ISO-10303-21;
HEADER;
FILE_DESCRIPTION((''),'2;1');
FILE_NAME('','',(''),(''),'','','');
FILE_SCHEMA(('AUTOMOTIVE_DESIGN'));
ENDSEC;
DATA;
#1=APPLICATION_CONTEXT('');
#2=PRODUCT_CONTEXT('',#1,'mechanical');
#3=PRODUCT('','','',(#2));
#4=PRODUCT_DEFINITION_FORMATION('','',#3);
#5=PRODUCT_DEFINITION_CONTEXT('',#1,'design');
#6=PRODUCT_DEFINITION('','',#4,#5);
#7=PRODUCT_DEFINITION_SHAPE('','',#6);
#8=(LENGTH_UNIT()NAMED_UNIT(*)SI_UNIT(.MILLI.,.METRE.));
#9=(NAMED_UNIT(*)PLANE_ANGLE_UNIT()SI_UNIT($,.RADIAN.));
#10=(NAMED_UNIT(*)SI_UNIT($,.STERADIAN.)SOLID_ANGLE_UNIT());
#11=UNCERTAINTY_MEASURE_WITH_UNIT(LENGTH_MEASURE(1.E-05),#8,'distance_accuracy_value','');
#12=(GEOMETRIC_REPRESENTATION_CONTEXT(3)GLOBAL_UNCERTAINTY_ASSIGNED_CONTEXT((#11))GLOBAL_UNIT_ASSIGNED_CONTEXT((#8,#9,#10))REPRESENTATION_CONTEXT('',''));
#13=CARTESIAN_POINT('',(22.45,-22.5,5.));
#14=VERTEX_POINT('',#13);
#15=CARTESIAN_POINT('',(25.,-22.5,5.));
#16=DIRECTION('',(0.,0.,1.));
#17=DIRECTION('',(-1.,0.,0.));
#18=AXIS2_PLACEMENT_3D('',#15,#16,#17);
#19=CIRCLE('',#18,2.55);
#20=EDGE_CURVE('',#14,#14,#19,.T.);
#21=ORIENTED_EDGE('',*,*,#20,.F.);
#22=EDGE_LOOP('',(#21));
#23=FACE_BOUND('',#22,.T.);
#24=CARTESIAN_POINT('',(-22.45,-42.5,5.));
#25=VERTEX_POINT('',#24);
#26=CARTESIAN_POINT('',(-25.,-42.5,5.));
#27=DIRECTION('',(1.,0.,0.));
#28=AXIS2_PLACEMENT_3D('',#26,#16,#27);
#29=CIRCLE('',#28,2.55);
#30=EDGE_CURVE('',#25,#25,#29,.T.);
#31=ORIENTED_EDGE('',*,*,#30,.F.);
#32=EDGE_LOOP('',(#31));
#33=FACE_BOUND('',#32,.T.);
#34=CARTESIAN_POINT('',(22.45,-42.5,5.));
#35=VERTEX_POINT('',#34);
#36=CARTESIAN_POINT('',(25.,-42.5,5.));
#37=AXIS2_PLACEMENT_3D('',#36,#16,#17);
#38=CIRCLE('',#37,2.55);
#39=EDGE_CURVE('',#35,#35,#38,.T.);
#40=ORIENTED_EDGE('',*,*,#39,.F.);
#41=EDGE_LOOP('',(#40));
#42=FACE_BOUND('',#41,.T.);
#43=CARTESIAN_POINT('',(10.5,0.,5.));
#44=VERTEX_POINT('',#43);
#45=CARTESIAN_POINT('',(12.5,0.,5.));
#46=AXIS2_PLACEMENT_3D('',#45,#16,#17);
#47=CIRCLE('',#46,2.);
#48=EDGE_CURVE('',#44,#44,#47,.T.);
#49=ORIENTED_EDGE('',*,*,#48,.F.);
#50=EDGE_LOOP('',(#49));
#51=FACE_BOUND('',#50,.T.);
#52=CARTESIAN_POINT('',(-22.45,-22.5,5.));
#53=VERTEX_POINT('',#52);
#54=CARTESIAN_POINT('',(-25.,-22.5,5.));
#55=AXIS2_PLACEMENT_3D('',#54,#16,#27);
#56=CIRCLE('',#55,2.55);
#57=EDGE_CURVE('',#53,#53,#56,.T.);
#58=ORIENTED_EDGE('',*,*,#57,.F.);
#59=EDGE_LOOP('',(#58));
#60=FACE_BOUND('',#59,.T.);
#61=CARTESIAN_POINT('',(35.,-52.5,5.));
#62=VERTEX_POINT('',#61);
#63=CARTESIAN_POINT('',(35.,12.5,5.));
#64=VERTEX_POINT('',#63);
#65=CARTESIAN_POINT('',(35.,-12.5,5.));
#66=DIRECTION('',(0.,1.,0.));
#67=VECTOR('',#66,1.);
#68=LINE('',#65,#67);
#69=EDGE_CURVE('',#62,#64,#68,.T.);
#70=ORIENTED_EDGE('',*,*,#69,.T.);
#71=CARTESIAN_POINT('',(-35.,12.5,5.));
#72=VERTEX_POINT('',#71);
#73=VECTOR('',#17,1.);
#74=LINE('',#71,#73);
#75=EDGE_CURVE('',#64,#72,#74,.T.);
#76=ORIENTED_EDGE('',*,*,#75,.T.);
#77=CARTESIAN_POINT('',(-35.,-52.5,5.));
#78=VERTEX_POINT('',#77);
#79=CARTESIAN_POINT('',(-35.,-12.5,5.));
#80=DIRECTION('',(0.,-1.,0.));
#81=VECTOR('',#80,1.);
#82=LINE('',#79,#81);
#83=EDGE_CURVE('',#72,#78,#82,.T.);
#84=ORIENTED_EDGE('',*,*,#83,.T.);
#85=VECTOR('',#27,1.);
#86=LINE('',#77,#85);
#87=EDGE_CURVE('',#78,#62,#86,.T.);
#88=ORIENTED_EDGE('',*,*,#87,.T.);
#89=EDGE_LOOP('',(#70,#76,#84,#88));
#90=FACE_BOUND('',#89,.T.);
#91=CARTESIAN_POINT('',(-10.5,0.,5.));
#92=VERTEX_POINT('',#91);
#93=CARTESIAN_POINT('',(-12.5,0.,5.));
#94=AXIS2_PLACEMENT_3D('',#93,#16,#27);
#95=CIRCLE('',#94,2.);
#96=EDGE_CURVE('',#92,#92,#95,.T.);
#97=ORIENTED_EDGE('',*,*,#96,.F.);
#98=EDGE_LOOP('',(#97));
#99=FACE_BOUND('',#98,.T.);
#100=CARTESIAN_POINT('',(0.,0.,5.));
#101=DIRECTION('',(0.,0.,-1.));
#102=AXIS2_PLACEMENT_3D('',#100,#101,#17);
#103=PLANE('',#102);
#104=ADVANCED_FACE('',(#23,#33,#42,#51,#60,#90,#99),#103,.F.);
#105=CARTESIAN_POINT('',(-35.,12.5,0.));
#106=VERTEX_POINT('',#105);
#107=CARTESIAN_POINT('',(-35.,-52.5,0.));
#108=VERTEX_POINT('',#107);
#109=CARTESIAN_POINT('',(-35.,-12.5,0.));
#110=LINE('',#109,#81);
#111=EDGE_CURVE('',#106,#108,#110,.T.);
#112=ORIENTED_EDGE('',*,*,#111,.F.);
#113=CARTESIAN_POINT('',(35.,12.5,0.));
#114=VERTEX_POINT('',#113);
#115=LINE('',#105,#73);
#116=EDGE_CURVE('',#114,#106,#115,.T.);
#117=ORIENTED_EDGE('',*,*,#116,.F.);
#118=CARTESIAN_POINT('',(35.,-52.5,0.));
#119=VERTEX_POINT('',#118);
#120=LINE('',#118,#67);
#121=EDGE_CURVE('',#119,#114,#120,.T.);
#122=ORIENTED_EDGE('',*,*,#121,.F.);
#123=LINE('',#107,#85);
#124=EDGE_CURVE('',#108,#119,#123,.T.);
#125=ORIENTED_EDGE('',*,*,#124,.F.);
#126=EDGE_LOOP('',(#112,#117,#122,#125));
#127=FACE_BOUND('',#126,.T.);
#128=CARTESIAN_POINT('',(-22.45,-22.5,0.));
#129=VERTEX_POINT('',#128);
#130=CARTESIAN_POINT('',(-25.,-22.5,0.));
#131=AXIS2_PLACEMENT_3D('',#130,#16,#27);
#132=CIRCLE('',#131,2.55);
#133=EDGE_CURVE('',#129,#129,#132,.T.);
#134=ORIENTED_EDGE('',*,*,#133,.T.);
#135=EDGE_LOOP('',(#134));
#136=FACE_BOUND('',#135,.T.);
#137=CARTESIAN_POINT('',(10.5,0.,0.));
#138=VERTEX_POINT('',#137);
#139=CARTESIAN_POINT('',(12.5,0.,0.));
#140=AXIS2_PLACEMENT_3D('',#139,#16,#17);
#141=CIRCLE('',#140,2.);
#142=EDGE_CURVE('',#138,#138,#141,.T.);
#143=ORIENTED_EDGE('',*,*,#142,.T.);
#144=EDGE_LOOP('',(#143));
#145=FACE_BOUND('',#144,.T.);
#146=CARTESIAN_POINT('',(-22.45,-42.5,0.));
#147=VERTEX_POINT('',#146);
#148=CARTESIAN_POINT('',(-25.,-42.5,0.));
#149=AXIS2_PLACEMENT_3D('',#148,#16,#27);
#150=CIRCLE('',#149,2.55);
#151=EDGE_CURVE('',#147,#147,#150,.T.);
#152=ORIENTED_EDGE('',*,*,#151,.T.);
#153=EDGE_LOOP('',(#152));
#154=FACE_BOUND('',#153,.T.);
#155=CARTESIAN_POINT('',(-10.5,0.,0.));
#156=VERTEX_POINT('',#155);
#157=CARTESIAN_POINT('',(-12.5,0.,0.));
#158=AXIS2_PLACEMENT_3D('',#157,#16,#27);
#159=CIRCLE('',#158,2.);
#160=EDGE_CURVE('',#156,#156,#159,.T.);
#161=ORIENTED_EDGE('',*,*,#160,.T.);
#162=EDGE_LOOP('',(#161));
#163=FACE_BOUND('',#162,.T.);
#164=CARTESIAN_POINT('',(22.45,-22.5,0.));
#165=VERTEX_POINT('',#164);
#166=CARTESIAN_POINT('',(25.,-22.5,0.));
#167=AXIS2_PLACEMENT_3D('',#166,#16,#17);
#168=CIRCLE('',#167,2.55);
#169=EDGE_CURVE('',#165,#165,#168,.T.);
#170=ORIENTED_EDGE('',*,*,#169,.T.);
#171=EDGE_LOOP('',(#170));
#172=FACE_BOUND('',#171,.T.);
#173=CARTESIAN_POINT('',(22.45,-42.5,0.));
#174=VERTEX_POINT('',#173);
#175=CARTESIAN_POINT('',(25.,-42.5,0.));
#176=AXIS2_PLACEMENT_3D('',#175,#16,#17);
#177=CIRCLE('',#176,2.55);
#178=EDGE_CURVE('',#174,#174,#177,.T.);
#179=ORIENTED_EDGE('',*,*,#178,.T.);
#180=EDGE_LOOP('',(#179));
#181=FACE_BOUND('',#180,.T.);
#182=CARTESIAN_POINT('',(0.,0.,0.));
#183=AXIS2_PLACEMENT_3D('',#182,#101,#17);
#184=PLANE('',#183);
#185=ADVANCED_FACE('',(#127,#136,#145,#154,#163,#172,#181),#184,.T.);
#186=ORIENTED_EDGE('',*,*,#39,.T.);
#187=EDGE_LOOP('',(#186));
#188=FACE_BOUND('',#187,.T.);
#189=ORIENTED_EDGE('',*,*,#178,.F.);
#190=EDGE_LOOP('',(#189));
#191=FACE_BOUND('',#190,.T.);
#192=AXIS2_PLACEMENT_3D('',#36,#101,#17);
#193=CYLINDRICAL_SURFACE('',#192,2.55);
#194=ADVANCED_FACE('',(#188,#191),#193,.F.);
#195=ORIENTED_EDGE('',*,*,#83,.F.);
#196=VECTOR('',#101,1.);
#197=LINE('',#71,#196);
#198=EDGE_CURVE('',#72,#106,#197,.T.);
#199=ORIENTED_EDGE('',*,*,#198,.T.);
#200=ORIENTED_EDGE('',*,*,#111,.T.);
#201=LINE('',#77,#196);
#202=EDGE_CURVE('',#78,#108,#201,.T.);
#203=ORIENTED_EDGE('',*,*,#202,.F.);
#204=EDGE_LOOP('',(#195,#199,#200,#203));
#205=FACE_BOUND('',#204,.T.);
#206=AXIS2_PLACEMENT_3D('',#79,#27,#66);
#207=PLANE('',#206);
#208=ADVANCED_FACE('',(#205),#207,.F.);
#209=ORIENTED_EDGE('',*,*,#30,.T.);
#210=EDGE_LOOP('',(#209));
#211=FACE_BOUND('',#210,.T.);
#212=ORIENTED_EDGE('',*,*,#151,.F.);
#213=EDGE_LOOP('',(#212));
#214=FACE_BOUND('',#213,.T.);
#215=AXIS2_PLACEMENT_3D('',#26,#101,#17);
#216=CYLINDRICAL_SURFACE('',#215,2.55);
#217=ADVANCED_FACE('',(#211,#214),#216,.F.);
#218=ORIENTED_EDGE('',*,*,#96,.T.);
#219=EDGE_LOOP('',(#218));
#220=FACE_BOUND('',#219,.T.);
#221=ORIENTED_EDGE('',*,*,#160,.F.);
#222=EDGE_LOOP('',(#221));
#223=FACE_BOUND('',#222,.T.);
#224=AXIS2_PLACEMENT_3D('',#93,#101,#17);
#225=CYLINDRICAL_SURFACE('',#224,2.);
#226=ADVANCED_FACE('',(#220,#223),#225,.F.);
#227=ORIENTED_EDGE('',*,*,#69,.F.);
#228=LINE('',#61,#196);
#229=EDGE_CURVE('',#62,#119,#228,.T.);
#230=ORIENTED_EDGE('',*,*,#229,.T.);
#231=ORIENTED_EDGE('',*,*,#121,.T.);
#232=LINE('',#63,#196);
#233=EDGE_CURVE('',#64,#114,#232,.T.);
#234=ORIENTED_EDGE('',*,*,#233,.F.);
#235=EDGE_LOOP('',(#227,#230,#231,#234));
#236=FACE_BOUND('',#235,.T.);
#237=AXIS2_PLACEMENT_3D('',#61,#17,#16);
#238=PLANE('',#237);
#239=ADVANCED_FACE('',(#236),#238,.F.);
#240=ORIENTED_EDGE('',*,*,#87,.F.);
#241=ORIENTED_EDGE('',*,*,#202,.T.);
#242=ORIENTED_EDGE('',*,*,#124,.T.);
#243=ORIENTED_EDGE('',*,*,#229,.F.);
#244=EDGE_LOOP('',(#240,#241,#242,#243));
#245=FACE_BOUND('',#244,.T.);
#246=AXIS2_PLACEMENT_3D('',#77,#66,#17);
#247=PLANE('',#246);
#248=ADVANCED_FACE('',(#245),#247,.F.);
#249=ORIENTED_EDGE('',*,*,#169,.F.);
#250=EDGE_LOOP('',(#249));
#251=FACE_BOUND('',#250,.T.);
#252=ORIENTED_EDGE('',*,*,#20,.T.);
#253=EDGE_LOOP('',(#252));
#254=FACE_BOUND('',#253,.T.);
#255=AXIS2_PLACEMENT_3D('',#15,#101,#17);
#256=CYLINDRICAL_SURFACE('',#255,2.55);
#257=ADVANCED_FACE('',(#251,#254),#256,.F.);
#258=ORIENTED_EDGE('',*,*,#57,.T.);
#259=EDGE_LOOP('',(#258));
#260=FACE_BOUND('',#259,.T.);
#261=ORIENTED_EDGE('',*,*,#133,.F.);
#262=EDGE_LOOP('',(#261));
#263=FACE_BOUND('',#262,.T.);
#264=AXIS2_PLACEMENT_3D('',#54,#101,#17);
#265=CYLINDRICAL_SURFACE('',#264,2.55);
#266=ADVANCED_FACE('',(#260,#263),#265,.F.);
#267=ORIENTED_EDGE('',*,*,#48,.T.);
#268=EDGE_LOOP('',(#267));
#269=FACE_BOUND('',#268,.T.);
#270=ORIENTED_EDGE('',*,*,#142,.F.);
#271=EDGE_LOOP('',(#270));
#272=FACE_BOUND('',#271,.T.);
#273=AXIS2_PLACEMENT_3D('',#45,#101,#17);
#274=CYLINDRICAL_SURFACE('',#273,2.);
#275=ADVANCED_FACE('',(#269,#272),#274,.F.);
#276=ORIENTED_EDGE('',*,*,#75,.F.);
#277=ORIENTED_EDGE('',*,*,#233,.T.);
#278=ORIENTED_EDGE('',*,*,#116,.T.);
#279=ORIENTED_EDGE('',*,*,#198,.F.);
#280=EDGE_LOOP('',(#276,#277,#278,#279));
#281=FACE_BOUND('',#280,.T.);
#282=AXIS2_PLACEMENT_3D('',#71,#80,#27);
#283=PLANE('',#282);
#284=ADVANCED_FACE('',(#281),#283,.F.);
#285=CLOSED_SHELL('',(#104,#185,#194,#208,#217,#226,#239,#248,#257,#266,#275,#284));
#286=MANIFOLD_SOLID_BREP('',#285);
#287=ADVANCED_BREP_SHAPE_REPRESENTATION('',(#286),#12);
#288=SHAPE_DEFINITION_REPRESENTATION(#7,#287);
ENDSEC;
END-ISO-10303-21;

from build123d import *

# Parameters (mm, degrees)
SKETCH1_R           = 2.55
SKETCH1_R_2         = 2
BOSS_EXTRUDE1_DEPTH = 5


with BuildPart() as part:
    # Sketch1 → Boss-Extrude1 (new body)
    with BuildSketch(Plane.XY):
        Polygon((-35, -12.5), (-35, -52.5), (35, -52.5), (35, -12.5), (35, 12.5), (-35, 12.5), align=None)
        with Locations((-25, -22.5)):
            Circle(SKETCH1_R, mode=Mode.SUBTRACT)
        with Locations((-25, -42.5)):
            Circle(SKETCH1_R, mode=Mode.SUBTRACT)
        with Locations((25, -42.5)):
            Circle(SKETCH1_R, mode=Mode.SUBTRACT)
        with Locations((25, -22.5)):
            Circle(SKETCH1_R, mode=Mode.SUBTRACT)
        with Locations((-12.5, 0)):
            Circle(SKETCH1_R_2, mode=Mode.SUBTRACT)
        with Locations((12.5, 0)):
            Circle(SKETCH1_R_2, mode=Mode.SUBTRACT)
    extrude(amount=BOSS_EXTRUDE1_DEPTH)


solid = part.part
